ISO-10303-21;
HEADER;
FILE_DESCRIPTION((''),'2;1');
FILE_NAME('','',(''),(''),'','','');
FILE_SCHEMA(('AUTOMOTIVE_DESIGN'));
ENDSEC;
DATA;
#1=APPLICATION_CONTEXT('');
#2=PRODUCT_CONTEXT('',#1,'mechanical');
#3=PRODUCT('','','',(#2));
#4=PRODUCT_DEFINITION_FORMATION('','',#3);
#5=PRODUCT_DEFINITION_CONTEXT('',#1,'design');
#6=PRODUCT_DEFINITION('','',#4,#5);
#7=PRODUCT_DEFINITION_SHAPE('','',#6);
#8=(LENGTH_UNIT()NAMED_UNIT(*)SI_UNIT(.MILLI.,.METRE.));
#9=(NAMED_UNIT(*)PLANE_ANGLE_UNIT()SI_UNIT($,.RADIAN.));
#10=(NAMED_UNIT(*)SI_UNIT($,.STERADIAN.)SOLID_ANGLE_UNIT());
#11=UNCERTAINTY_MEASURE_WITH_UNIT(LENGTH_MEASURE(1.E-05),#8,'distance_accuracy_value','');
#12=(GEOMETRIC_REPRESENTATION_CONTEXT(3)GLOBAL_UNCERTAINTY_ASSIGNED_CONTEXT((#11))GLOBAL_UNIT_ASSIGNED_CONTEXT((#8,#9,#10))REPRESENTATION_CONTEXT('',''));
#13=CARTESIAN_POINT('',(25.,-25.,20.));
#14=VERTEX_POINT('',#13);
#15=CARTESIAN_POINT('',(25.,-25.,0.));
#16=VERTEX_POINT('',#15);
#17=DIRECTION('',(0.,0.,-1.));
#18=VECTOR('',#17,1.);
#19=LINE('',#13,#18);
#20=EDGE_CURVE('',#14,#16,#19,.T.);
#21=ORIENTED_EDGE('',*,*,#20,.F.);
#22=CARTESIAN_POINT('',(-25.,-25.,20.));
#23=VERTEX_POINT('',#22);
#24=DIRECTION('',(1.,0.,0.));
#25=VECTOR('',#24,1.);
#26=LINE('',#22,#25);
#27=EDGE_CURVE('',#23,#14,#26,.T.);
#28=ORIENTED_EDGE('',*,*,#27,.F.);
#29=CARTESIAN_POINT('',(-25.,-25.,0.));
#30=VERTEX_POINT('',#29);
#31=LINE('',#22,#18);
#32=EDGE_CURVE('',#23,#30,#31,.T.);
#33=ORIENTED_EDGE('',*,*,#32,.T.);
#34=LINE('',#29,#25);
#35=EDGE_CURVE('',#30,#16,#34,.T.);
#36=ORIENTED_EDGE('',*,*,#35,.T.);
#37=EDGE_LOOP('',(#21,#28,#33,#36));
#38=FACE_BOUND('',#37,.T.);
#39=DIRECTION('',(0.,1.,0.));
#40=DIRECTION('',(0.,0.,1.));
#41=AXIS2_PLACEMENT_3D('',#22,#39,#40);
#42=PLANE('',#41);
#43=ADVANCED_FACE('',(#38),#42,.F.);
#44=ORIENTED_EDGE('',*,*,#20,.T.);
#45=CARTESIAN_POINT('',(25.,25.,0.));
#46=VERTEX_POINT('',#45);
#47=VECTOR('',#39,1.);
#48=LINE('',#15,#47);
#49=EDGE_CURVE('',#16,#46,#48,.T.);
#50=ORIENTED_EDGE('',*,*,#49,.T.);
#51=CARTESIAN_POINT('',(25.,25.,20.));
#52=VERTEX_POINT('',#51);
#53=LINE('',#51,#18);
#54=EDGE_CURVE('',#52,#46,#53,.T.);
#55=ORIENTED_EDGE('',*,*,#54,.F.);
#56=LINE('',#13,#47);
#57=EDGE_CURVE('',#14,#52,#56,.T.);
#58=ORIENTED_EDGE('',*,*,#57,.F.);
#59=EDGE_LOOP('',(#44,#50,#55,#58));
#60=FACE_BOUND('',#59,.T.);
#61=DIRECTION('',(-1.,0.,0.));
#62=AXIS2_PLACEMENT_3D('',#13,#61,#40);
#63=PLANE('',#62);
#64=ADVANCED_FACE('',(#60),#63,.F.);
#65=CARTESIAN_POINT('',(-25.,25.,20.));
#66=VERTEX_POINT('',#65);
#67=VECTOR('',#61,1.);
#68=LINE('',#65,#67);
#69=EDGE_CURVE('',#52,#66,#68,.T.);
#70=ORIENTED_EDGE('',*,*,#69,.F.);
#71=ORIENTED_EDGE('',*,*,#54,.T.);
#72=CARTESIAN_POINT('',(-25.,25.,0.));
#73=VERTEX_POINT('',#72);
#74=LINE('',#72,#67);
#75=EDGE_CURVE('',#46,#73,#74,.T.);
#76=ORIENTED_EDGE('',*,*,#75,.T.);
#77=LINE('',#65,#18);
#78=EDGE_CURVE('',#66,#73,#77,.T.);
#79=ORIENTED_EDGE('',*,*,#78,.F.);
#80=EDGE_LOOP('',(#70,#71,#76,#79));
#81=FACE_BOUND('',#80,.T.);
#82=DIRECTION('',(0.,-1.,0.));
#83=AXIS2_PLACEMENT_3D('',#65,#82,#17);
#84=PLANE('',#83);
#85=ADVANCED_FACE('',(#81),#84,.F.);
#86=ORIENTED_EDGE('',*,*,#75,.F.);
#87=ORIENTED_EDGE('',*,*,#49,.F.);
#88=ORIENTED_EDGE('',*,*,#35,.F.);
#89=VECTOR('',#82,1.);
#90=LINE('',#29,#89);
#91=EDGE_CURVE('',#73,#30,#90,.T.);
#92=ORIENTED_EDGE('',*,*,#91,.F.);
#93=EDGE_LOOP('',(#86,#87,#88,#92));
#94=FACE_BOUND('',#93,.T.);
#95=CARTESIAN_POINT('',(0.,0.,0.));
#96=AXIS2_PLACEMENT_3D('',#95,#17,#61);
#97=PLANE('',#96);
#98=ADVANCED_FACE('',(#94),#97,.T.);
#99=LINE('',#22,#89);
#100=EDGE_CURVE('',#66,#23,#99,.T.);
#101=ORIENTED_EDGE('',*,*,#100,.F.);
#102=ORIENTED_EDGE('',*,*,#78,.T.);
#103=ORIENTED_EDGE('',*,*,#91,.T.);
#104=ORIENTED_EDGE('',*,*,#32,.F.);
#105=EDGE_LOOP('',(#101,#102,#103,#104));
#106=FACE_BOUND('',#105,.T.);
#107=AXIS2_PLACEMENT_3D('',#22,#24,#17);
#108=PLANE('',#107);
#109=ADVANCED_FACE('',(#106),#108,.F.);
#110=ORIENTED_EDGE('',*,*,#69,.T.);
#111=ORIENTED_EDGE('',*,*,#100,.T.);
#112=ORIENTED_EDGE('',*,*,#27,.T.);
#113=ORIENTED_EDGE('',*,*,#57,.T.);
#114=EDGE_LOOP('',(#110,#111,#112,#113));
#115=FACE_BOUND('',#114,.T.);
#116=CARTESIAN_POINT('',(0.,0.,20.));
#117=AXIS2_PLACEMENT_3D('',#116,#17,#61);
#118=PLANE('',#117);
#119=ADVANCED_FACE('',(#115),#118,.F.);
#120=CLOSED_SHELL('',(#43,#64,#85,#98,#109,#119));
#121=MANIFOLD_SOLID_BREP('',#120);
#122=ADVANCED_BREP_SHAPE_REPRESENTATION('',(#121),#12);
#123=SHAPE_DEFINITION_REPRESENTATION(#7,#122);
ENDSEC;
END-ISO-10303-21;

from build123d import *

# Parameters (mm, degrees)
SKETCH_1_W      = 50
SKETCH_1_H      = 50
EXTRUDE_1_DEPTH = 20


with BuildPart() as part:
    # 草图1 → 凸台-拉伸1 (new body)
    with BuildSketch(Plane.XY):
        Rectangle(SKETCH_1_W, SKETCH_1_H)
    extrude(amount=EXTRUDE_1_DEPTH)


solid = part.part
